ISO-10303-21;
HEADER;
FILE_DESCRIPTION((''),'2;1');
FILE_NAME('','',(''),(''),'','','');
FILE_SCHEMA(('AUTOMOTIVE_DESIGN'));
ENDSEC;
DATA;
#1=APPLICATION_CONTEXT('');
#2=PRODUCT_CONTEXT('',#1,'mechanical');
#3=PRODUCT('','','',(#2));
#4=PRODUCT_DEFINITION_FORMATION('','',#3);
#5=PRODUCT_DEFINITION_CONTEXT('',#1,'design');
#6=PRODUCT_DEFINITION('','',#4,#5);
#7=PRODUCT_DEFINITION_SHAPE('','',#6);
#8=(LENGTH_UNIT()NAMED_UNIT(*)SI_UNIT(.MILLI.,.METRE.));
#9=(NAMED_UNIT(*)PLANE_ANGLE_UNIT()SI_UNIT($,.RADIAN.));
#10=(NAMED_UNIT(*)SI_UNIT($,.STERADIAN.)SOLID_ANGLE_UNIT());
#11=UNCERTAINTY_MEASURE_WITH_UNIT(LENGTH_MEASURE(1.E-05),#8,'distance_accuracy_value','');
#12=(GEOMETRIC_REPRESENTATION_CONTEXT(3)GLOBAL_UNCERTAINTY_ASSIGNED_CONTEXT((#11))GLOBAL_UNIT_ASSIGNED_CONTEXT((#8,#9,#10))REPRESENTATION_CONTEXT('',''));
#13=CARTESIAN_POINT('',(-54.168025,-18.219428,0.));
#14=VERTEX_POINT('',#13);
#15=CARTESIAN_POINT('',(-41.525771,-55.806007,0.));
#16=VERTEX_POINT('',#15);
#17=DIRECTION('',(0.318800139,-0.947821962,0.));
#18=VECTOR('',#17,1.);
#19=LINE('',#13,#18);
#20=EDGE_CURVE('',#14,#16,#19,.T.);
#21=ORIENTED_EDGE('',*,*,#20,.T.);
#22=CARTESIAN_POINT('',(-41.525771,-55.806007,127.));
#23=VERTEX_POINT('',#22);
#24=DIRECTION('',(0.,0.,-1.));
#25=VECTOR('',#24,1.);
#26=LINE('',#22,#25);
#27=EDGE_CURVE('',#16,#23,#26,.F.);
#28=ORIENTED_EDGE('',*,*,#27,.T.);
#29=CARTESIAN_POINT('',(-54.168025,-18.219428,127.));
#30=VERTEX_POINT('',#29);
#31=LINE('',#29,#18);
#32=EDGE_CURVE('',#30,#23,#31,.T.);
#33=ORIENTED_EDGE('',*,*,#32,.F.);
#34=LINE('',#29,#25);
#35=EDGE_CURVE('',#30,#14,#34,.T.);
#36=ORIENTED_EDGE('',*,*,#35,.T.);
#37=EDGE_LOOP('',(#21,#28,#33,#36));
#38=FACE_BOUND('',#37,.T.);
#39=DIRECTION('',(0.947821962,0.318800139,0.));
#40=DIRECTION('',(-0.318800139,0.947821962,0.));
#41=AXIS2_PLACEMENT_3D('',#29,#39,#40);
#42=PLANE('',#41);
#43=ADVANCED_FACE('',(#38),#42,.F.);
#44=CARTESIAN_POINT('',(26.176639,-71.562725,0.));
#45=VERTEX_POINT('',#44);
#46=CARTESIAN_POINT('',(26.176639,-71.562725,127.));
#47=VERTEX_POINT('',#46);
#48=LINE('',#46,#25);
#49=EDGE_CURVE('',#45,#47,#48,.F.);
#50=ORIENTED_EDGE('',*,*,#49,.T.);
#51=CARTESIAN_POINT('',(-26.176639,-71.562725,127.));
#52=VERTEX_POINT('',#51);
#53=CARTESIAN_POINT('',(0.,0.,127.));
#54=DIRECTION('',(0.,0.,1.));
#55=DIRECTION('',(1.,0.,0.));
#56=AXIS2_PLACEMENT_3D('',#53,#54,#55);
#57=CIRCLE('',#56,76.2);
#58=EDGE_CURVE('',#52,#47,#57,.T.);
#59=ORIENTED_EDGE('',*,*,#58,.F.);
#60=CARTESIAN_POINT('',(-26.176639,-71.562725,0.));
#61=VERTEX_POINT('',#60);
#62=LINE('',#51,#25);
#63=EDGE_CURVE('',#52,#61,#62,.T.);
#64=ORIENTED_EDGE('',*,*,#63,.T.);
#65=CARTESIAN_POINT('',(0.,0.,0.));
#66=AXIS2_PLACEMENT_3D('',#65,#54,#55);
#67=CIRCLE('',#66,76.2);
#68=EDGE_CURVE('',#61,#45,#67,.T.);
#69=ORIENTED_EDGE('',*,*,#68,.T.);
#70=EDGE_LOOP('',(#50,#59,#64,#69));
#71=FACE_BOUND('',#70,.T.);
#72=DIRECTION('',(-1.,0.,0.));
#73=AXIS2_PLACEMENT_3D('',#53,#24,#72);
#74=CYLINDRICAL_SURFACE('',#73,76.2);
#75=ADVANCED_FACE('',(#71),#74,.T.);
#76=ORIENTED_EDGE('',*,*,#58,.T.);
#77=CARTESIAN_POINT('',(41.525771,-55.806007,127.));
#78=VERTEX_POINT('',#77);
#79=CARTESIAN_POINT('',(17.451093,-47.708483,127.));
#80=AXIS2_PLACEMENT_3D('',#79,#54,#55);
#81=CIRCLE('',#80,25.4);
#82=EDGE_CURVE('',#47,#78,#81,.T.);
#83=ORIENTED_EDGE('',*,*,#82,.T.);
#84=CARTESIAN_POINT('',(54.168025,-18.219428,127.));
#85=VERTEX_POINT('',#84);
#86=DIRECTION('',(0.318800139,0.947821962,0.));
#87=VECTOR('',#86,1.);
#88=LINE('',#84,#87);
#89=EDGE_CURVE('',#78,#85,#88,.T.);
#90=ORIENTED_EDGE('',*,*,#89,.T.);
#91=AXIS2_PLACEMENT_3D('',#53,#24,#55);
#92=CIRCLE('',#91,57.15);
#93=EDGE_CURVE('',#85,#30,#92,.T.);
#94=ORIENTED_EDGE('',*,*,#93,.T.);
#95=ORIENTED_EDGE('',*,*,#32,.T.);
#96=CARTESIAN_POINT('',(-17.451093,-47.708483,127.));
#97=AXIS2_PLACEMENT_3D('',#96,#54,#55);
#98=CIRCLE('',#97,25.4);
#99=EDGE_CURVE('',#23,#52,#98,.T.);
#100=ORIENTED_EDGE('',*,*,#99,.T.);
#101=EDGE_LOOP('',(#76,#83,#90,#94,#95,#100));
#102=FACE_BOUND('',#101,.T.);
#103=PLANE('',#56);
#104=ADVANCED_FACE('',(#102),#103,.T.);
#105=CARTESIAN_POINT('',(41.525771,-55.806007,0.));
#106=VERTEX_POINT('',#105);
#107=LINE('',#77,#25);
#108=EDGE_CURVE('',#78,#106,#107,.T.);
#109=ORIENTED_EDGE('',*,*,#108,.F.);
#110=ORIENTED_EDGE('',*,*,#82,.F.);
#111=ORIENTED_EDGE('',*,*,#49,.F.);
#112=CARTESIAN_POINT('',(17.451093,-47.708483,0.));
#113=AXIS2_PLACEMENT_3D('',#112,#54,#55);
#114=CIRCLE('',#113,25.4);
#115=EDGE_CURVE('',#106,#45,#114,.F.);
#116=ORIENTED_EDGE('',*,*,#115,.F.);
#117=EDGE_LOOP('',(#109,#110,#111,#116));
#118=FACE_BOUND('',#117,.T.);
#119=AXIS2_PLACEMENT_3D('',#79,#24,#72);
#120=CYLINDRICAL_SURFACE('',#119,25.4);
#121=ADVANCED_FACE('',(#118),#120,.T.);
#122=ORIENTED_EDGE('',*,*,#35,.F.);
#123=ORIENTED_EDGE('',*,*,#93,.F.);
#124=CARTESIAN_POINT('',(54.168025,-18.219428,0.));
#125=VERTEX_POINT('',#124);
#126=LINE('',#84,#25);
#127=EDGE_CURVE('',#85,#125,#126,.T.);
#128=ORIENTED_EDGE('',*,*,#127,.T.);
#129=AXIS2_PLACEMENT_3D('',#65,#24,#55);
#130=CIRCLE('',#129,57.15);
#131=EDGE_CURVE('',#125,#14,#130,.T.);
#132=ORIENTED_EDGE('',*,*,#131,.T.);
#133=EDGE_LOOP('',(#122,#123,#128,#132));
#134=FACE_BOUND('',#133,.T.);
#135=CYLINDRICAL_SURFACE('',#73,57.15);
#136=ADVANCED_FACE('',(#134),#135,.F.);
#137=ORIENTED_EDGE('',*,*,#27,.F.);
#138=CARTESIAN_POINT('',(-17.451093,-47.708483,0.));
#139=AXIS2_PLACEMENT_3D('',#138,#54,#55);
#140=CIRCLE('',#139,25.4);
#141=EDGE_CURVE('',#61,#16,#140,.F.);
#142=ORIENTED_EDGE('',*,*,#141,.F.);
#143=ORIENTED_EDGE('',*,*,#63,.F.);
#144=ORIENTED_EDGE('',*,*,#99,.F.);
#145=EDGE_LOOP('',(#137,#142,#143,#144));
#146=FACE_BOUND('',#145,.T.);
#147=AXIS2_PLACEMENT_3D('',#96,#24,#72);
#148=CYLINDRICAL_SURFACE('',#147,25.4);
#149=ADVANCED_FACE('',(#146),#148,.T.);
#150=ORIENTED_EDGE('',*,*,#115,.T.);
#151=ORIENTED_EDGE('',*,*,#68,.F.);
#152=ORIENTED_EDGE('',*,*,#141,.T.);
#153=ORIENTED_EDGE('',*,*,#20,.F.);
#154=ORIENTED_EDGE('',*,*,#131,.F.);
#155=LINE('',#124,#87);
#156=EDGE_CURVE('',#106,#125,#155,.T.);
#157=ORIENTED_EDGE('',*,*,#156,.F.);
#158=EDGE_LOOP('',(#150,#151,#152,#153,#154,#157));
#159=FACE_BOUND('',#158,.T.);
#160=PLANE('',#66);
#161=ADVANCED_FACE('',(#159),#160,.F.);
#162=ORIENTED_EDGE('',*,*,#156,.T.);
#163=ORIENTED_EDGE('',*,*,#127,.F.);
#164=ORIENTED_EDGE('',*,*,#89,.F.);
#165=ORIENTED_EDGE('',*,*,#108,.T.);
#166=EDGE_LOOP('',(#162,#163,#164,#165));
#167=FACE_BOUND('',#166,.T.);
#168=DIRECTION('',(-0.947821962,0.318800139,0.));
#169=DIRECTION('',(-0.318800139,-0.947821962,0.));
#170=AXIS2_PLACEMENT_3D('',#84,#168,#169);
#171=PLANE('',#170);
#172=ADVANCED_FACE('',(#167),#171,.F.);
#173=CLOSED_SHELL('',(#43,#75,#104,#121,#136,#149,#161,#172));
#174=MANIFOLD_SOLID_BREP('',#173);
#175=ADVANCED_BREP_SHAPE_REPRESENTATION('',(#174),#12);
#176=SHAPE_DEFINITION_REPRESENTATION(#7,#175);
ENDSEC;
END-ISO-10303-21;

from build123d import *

# Parameters (mm, degrees)
BOSS_EXTRUDE1_DEPTH = 127
FILLET1_R           = 25.4


with BuildPart() as part:
    # Sketch2 → Boss-Extrude1 (new body)
    with BuildSketch(Plane.XY):
        with BuildLine():
            Line((-54.168025121, -18.219427941), (-38.1, -65.991135768))
            ThreePointArc((-38.1, -65.991135768), (0, -76.2), (38.1, -65.991135768))
            Line((38.1, -65.991135768), (54.168025121, -18.219427941))
            ThreePointArc((54.168025121, -18.219427941), (0, -57.15), (-54.168025121, -18.219427941))
        make_face()
    extrude(amount=BOSS_EXTRUDE1_DEPTH)

    # Fillet1
    fillet1_edges = [part.edges().sort_by_distance(p)[0] for p in [
        (38.1, -65.991135768, 63.5),
        (-38.1, -65.991135768, 63.5),
    ]]
    fillet(fillet1_edges, radius=FILLET1_R)


solid = part.part
